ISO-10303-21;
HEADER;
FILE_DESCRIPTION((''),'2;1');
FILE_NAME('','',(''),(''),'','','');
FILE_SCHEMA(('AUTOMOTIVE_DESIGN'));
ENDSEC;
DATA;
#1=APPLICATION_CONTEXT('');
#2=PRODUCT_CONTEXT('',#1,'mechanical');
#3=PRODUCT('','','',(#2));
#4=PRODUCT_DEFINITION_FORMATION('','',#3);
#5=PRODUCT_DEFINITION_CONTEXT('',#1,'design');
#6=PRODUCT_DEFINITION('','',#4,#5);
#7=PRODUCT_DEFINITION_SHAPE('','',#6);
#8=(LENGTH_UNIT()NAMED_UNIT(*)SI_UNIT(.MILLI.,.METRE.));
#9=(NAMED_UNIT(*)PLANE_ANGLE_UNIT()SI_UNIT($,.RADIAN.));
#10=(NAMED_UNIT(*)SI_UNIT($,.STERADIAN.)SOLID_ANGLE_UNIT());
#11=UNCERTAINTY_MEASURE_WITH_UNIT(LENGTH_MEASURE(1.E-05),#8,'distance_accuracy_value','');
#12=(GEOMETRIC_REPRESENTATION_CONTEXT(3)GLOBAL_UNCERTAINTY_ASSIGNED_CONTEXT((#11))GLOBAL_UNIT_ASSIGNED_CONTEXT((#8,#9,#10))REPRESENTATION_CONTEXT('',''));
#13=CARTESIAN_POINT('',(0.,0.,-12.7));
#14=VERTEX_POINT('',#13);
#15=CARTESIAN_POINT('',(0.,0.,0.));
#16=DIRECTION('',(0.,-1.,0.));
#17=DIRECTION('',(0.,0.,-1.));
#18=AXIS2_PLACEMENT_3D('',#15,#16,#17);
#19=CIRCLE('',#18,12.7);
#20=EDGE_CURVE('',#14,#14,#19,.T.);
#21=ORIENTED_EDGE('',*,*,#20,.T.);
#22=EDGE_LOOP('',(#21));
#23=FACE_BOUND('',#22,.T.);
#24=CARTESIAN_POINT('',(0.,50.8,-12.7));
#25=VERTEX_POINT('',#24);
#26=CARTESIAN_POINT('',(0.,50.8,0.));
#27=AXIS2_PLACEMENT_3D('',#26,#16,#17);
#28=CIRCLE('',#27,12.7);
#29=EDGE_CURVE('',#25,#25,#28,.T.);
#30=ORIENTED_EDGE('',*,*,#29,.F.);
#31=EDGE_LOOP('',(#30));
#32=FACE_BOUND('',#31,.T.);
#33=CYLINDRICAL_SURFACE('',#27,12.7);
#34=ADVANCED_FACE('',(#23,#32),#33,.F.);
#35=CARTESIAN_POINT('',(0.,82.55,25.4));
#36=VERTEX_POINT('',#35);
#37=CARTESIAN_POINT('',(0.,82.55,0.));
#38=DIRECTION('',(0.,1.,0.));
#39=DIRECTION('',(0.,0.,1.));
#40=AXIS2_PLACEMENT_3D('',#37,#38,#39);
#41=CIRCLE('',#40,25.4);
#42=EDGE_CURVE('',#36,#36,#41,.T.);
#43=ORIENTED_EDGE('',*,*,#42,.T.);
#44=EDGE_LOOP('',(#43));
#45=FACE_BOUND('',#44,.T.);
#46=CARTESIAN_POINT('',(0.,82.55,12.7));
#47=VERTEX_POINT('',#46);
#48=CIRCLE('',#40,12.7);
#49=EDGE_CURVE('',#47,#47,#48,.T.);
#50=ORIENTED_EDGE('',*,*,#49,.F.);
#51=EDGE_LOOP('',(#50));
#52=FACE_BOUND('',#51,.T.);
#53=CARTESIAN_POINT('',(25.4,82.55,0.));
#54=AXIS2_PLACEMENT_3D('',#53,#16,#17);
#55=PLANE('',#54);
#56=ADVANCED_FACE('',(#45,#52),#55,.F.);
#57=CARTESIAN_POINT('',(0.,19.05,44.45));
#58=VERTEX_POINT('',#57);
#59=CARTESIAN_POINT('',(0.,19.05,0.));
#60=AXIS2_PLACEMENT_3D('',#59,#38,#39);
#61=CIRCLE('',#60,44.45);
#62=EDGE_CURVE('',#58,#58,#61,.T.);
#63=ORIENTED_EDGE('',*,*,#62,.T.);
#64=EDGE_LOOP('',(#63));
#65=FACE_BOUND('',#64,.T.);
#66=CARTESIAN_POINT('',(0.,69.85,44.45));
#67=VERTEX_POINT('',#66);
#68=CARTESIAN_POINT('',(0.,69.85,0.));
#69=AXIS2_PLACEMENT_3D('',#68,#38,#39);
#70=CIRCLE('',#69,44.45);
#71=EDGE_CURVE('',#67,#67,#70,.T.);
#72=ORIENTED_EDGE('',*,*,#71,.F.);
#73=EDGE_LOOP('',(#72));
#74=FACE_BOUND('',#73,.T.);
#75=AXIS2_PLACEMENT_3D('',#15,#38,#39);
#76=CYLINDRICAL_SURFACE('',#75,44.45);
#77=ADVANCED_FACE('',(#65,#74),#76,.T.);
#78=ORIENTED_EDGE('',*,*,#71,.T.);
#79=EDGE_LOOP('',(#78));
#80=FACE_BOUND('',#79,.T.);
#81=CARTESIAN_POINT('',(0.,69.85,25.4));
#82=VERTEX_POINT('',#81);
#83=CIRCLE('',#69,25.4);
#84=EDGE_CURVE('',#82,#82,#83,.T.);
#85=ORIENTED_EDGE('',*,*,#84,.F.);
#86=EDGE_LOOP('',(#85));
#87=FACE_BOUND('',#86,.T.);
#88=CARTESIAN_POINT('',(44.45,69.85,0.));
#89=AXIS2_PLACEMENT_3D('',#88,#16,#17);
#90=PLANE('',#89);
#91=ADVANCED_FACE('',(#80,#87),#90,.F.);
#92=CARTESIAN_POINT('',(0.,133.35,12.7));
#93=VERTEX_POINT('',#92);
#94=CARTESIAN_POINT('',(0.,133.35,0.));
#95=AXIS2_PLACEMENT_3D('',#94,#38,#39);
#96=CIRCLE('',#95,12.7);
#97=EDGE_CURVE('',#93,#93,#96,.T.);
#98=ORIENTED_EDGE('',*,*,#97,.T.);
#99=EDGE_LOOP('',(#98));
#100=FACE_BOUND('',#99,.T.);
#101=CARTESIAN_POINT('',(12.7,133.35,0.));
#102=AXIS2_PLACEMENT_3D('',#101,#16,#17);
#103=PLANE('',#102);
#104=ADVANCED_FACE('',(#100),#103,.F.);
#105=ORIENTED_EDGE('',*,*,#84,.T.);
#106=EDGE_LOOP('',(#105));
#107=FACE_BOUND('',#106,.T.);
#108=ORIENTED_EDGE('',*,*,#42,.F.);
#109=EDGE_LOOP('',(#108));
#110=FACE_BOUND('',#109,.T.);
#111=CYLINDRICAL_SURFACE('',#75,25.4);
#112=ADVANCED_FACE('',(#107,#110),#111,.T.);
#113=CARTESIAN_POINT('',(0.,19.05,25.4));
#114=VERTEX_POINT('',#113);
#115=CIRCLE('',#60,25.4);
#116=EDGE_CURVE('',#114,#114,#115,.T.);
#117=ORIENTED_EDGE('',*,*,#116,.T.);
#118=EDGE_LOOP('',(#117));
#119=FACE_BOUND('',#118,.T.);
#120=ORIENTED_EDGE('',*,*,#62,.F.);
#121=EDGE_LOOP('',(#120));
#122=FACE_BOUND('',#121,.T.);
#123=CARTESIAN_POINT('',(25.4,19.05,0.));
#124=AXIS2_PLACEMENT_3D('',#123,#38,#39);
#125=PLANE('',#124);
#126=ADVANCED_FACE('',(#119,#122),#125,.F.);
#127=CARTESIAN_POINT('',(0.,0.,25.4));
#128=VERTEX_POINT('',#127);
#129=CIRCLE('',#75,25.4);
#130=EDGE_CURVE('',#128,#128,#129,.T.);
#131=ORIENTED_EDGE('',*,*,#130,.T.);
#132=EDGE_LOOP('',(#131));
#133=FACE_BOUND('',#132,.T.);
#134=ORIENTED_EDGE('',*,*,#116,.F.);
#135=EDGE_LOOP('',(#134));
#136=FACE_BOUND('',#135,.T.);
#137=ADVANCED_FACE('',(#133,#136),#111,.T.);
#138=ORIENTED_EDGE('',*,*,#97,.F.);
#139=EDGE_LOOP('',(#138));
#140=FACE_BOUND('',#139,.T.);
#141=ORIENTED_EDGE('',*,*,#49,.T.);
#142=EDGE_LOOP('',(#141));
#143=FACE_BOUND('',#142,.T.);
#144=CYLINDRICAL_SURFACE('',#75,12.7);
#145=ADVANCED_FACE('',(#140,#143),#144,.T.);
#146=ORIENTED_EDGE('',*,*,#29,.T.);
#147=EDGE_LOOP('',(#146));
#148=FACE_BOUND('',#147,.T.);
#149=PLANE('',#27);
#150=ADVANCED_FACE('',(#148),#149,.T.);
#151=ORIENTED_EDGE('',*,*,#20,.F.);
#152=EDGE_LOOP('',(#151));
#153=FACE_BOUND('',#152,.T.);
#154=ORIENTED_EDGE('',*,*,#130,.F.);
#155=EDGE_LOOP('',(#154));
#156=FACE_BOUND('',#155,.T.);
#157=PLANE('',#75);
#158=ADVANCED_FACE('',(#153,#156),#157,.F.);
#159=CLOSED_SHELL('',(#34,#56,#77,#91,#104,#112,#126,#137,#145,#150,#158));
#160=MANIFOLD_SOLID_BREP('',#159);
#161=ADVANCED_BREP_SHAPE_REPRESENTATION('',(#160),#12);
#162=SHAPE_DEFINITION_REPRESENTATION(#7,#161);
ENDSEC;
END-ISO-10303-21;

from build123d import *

# Parameters (mm, degrees)
CUT_EXTRUDE1_START = -50.8
SKETCH2_R          = 12.7
CUT_EXTRUDE1_DEPTH = 50.8


with BuildPart() as part:
    # Sketch1 → Base-Revolve (revolve)
    with BuildSketch(Plane.XY, mode=Mode.PRIVATE) as base_revolve_sk:
        Polygon((0, 0), (25.4, 0), (25.4, 19.05), (44.45, 19.05), (44.45, 69.85), (25.4, 69.85), (25.4, 82.55), (12.7, 82.55), (12.7, 133.35), (0, 133.35), align=None)
    revolve(base_revolve_sk.sketch.rotate(Axis((0, 0, 0), (0, -1, 0)), 90), axis=Axis((0, 0, 0), (0, -1, 0)))

    # Sketch2 → Cut-Extrude1 (cut)
    with BuildSketch(Plane.XZ.offset(CUT_EXTRUDE1_START)):
        with Locations(Location((0, 0, 0), (0, 0, 90))):
            Circle(SKETCH2_R)
    extrude(amount=CUT_EXTRUDE1_DEPTH, mode=Mode.SUBTRACT)


solid = part.part
